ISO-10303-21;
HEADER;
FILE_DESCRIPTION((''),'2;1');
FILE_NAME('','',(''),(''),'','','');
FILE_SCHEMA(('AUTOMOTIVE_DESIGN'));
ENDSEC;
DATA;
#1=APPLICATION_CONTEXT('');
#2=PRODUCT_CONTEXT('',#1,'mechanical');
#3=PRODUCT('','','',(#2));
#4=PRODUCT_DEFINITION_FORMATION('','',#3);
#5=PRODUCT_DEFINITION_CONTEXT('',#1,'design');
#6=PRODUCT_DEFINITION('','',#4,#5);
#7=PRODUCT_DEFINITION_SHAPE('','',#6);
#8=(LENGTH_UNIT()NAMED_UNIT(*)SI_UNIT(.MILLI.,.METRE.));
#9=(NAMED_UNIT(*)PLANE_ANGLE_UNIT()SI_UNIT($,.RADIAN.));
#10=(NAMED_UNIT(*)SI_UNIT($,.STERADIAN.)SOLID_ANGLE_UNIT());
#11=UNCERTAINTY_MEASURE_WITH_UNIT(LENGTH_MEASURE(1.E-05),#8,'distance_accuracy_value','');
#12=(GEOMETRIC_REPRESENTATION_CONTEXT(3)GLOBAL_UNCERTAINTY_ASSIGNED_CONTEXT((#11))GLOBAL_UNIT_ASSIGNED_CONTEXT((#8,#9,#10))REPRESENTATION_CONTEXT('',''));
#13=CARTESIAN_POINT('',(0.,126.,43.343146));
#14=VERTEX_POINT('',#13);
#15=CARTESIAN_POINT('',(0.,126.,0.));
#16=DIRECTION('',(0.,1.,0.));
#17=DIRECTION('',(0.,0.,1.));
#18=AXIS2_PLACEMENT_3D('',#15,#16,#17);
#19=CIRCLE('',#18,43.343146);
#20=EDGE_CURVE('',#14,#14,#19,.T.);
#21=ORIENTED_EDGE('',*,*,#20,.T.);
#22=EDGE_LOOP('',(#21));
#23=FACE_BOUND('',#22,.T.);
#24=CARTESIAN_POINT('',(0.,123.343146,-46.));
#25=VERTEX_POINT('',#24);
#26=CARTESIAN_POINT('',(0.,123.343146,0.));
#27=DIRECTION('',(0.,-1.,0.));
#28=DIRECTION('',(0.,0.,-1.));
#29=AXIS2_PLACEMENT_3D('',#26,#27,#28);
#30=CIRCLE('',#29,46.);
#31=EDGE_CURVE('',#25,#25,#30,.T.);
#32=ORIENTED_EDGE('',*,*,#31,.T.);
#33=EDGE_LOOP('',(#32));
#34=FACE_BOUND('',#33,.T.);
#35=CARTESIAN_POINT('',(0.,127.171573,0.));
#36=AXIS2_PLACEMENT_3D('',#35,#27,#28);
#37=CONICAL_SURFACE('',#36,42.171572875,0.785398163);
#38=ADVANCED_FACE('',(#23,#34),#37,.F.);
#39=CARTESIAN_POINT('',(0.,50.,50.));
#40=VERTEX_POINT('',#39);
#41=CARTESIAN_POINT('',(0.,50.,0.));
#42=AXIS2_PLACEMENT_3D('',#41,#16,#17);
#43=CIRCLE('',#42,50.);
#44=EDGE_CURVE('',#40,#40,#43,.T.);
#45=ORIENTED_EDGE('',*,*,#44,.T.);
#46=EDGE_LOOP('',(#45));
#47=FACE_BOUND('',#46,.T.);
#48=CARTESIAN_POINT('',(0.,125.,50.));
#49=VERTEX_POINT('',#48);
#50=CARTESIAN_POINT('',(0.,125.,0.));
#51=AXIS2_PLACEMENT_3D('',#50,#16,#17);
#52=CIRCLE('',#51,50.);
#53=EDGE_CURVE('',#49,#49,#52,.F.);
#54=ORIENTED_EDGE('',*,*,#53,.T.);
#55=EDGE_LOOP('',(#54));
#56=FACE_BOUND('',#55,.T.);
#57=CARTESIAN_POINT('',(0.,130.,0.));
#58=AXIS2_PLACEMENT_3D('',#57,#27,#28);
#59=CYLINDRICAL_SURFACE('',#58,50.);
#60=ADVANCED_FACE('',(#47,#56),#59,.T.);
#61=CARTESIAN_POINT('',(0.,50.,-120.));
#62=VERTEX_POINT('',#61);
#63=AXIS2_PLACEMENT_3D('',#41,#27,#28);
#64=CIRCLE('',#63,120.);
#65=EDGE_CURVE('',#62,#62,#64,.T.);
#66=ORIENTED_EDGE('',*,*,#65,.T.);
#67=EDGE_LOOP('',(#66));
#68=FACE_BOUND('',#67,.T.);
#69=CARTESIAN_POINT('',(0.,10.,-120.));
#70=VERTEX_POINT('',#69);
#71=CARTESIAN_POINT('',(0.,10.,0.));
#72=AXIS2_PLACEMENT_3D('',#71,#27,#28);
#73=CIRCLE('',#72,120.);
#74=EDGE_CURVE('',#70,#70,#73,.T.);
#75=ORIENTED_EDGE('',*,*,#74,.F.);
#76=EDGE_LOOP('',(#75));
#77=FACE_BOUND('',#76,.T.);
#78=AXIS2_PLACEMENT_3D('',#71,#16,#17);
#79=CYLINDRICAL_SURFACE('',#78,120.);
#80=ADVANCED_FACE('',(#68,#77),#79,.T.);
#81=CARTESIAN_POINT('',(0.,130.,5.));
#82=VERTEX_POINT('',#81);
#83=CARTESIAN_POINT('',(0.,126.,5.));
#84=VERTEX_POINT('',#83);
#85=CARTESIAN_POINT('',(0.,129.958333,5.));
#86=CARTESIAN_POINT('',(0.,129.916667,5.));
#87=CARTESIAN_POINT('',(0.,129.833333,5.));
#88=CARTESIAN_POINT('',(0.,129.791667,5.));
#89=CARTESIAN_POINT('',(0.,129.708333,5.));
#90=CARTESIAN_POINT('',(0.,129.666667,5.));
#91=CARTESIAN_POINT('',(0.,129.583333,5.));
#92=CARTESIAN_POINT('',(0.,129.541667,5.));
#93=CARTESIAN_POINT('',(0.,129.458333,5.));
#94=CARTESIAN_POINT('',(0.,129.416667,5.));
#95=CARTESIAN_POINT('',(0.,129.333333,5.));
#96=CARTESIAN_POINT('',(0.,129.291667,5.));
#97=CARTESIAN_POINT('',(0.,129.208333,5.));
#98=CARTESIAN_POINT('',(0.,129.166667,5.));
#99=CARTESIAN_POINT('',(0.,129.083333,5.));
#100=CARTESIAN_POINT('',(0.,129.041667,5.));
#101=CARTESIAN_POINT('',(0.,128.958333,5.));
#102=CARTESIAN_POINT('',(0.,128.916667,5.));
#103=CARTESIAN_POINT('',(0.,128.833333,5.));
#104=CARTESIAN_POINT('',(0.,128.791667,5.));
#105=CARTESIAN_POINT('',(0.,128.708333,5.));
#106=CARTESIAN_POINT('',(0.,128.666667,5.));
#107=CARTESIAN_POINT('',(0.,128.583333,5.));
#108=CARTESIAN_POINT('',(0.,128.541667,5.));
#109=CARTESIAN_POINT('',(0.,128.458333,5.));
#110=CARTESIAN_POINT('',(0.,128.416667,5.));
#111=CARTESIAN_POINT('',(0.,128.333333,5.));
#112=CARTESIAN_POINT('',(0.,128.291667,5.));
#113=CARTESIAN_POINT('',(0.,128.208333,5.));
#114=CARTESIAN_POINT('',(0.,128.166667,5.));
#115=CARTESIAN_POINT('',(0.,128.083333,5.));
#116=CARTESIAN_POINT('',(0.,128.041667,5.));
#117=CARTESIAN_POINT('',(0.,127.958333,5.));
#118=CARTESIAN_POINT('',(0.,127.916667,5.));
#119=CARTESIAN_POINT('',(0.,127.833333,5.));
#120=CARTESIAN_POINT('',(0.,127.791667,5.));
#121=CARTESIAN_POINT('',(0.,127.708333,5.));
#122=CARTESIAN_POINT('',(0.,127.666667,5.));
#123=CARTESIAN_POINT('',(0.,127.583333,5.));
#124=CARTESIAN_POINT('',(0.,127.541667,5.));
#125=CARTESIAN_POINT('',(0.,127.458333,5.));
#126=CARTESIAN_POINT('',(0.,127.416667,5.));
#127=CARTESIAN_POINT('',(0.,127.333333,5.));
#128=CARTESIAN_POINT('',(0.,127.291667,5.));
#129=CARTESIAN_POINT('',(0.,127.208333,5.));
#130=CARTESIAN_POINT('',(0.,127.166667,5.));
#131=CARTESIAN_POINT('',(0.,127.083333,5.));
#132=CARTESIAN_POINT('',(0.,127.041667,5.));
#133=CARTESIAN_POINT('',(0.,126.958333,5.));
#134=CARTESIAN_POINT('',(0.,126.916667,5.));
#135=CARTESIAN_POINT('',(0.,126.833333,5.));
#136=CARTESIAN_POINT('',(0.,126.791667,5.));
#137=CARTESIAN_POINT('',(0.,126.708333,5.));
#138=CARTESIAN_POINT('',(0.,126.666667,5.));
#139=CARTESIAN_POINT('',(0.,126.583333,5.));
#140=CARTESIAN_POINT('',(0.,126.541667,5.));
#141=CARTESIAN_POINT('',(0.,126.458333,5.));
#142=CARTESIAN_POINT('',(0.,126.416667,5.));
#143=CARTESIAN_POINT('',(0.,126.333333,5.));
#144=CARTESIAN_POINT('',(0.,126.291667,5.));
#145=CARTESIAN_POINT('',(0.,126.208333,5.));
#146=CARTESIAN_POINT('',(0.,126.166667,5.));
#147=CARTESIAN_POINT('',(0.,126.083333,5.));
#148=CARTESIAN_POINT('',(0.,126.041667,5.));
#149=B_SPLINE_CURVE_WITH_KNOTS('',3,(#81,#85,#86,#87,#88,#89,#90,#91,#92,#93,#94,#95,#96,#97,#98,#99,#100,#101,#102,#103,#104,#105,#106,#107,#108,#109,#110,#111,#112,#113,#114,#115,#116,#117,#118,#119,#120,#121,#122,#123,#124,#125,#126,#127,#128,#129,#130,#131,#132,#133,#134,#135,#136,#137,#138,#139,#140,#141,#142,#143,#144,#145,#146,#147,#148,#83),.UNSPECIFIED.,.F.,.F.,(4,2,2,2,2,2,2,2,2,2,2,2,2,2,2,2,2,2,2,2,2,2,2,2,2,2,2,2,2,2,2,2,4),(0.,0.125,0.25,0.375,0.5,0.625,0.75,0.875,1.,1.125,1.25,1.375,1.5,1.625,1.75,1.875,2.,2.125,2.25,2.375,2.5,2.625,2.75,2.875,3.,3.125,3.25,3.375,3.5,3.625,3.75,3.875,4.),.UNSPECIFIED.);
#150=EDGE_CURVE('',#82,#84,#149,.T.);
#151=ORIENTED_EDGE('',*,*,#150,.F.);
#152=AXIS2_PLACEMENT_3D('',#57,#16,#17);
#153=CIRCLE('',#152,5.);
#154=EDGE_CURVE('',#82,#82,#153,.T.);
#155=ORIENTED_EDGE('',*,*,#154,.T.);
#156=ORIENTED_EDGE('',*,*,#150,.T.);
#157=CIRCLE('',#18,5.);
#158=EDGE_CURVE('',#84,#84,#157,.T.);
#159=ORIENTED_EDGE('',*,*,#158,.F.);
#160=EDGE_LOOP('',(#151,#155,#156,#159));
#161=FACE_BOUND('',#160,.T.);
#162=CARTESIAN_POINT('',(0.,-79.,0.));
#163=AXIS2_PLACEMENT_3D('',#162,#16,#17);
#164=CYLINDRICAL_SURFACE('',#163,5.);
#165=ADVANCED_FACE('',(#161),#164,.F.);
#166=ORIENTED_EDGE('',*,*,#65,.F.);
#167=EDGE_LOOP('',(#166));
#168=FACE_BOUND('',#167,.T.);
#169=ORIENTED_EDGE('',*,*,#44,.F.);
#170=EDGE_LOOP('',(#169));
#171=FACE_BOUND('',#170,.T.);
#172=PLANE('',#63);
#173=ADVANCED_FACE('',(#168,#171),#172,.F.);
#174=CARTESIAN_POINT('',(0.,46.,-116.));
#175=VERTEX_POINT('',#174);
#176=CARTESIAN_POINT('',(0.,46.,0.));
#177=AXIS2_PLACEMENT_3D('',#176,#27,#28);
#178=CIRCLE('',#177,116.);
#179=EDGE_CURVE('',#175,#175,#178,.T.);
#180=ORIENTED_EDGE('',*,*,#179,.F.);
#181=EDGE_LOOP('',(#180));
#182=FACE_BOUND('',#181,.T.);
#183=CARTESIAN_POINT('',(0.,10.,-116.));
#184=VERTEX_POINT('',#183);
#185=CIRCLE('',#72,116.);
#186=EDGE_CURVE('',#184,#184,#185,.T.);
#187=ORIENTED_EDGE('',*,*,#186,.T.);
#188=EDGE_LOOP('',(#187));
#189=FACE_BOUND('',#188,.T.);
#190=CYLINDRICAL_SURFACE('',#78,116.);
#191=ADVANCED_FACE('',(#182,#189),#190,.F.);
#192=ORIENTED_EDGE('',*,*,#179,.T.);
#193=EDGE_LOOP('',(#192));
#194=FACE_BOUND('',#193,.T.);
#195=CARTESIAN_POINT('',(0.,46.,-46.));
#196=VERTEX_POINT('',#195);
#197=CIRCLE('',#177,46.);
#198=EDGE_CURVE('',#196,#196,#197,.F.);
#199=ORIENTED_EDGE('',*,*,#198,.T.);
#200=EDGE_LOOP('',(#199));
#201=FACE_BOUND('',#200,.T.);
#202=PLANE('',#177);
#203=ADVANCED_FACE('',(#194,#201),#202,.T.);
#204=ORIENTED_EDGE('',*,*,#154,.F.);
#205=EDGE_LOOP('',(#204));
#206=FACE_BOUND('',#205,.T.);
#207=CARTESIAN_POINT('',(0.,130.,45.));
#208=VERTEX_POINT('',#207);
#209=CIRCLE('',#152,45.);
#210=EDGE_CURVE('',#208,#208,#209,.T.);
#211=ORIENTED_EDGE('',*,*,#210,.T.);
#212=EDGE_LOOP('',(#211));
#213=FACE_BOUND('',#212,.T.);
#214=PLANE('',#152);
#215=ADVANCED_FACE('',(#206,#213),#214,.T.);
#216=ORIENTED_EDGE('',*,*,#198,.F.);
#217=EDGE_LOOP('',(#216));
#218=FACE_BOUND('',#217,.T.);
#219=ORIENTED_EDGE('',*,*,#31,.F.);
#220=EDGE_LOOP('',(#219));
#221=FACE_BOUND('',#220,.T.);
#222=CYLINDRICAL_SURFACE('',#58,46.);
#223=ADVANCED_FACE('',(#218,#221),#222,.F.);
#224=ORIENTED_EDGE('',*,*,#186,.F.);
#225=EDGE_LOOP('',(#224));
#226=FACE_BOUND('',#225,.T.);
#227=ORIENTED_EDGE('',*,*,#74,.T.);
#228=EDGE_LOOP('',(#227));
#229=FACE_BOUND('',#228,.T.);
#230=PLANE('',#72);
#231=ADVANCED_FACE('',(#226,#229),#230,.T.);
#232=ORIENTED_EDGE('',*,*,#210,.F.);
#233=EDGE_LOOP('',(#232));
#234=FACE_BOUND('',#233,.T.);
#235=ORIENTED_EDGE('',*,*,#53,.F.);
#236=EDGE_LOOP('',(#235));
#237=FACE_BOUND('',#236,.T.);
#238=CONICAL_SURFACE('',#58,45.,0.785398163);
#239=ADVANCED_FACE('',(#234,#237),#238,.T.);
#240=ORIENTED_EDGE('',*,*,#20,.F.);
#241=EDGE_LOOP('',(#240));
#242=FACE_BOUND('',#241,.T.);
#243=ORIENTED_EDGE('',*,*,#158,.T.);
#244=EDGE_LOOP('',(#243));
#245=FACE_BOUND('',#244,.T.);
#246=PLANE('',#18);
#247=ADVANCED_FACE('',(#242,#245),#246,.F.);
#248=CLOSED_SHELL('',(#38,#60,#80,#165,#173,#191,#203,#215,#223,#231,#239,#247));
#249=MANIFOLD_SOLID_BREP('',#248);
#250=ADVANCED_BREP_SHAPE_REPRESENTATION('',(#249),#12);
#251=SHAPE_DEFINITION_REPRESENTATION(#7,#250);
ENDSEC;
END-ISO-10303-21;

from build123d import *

# Parameters (mm, degrees)
BOSS_EXTRUDE1_DEPTH = 100
SKETCH3_R           = 50
BOSS_EXTRUDE3_DEPTH = 80
CHAMFER1_SIZE       = 5
FILLET1_R           = 1
SKETCH4_R           = 5
CUT_EXTRUDE1_DEPTH  = 20
SKETCH5_R           = 15
SKETCH5_R_2         = 2.5
SKETCH5_W           = 60
SKETCH5_H           = 10
SKETCH5_W_2         = 50
CUT_EXTRUDE2_DEPTH  = 20
SKETCH6_W           = 150
SKETCH6_H           = 200
CUT_EXTRUDE3_DEPTH  = 181
SKETCH7_R           = 120
BOSS_EXTRUDE4_DEPTH = 40
SHELL1_T            = -4
SKETCH10_R          = 5
CUT_EXTRUDE4_DEPTH  = 209


with BuildPart() as part:
    # Sketch2 → Boss-Extrude1 (new, symmetric)
    with BuildSketch(Plane.XY):
        with BuildLine():
            Line((-75, 50), (-70, 50))
            ThreePointArc((-70, 50), (-65, 45), (-60, 50))
            Line((-60, 50), (-35, 50))
            Line((-35, 50), (-25, 50))
            Line((-25, 50), (25, 50))
            Line((25, 50), (35, 50))
            Line((35, 50), (60, 50))
            ThreePointArc((60, 50), (65, 45), (70, 50))
            Line((70, 50), (75, 50))
            Line((75, 50), (75, 15))
            ThreePointArc((75, 15), (70.980762114, 0), (75, -15))
            Line((75, -15), (75, -50))
            Line((75, -50), (70, -50))
            ThreePointArc((70, -50), (65, -45), (60, -50))
            Line((60, -50), (35, -50))
            ThreePointArc((35, -50), (30, -45), (25, -50))
            Line((25, -50), (-25, -50))
            ThreePointArc((-25, -50), (-30, -45), (-35, -50))
            Line((-35, -50), (-60, -50))
            ThreePointArc((-60, -50), (-65, -45), (-70, -50))
            Line((-70, -50), (-75, -50))
            Line((-75, -50), (-75, -15))
            ThreePointArc((-75, -15), (-70.980762114, 0), (-75, 15))
            Line((-75, 15), (-75, 50))
        make_face()
    extrude(amount=BOSS_EXTRUDE1_DEPTH, both=True)

    # Sketch3 → Boss-Extrude3 (add)
    with BuildSketch(Plane(origin=(0, 50, 0), x_dir=(1, 0, 0), z_dir=(0, 1, 0))):
        with Locations(Location((0, 0, 0), (0, 0, 90))):
            Circle(SKETCH3_R)
    extrude(amount=BOSS_EXTRUDE3_DEPTH)

    # Chamfer1
    chamfer1_edges = [part.edges().sort_by_distance(p)[0] for p in [
        (0, 130, 50),
    ]]
    chamfer(chamfer1_edges, length=CHAMFER1_SIZE)

    # Fillet1
    fillet1_edges = [part.edges().sort_by_distance(p)[0] for p in [
        (-75, -50, 0),
        (-75, 50, 0),
        (75, 50, 0),
        (75, -50, 0),
    ]]
    fillet(fillet1_edges, radius=FILLET1_R)

    # Sketch4 → Cut-Extrude1 (cut)
    with BuildSketch(Plane.XZ.offset(50)):
        with Locations(Location((-47.5, 80, 0), (0, 0, 270))):
            Circle(SKETCH4_R)
        with Locations(Location((47.5, 80, 0), (0, 0, 270))):
            Circle(SKETCH4_R)
        with Locations(Location((47.5, 40, 0), (0, 0, 270))):
            Circle(SKETCH4_R)
        with Locations(Location((47.5, 0, 0), (0, 0, 270))):
            Circle(SKETCH4_R)
        with Locations(Location((47.5, -40, 0), (0, 0, 270))):
            Circle(SKETCH4_R)
        with Locations(Location((47.5, -80, 0), (0, 0, 270))):
            Circle(SKETCH4_R)
        with Locations(Location((-47.5, 40, 0), (0, 0, 270))):
            Circle(SKETCH4_R)
        with Locations(Location((-47.5, 0, 0), (0, 0, 270))):
            Circle(SKETCH4_R)
        with Locations(Location((-47.5, -40, 0), (0, 0, 270))):
            Circle(SKETCH4_R)
        with Locations(Location((-47.5, -80, 0), (0, 0, 270))):
            Circle(SKETCH4_R)
    extrude(amount=-CUT_EXTRUDE1_DEPTH, mode=Mode.SUBTRACT)

    # Sketch5 → Cut-Extrude2 (cut)
    with BuildSketch(Plane(origin=(0, 0, -100), x_dir=(-1, 0, 0), z_dir=(0, 0, -1))):
        with Locations((40, 25)):
            Circle(SKETCH5_R)
        with Locations((35, 25)):
            Circle(SKETCH5_R_2, mode=Mode.SUBTRACT)
        with Locations((45, 25)):
            Circle(SKETCH5_R_2, mode=Mode.SUBTRACT)
        with Locations((-25, -20)):
            Rectangle(SKETCH5_W, SKETCH5_H)
        with Locations((-25, 10)):
            Rectangle(SKETCH5_W_2, SKETCH5_H)
    extrude(amount=-CUT_EXTRUDE2_DEPTH, mode=Mode.SUBTRACT)

    # Sketch6 → Cut-Extrude3 (cut)
    with BuildSketch(Plane(origin=(0, 50, 0), x_dir=(1, 0, 0), z_dir=(0, 1, 0))):
        Rectangle(SKETCH6_W, SKETCH6_H)
    extrude(amount=-CUT_EXTRUDE3_DEPTH, mode=Mode.SUBTRACT)

    # Sketch7 → Boss-Extrude4 (add)
    with BuildSketch(Plane.XZ.offset(-50)):
        with Locations(Location((0, 0, 0), (0, 0, 270))):
            Circle(SKETCH7_R)
    extrude(amount=BOSS_EXTRUDE4_DEPTH)

    # Shell1
    shell1_openings = [part.faces().sort_by_distance(p)[0] for p in [
        (0, 10, 0),
    ]]
    offset(amount=SHELL1_T, openings=shell1_openings, kind=Kind.INTERSECTION)

    # Sketch10 → Cut-Extrude4 (cut)
    with BuildSketch(Plane(origin=(0, 130, 0), x_dir=(1, 0, 0), z_dir=(0, 1, 0))):
        with Locations(Location((0, 0, 0), (0, 0, 270))):
            Circle(SKETCH10_R)
    extrude(amount=-CUT_EXTRUDE4_DEPTH, mode=Mode.SUBTRACT)


solid = part.part
